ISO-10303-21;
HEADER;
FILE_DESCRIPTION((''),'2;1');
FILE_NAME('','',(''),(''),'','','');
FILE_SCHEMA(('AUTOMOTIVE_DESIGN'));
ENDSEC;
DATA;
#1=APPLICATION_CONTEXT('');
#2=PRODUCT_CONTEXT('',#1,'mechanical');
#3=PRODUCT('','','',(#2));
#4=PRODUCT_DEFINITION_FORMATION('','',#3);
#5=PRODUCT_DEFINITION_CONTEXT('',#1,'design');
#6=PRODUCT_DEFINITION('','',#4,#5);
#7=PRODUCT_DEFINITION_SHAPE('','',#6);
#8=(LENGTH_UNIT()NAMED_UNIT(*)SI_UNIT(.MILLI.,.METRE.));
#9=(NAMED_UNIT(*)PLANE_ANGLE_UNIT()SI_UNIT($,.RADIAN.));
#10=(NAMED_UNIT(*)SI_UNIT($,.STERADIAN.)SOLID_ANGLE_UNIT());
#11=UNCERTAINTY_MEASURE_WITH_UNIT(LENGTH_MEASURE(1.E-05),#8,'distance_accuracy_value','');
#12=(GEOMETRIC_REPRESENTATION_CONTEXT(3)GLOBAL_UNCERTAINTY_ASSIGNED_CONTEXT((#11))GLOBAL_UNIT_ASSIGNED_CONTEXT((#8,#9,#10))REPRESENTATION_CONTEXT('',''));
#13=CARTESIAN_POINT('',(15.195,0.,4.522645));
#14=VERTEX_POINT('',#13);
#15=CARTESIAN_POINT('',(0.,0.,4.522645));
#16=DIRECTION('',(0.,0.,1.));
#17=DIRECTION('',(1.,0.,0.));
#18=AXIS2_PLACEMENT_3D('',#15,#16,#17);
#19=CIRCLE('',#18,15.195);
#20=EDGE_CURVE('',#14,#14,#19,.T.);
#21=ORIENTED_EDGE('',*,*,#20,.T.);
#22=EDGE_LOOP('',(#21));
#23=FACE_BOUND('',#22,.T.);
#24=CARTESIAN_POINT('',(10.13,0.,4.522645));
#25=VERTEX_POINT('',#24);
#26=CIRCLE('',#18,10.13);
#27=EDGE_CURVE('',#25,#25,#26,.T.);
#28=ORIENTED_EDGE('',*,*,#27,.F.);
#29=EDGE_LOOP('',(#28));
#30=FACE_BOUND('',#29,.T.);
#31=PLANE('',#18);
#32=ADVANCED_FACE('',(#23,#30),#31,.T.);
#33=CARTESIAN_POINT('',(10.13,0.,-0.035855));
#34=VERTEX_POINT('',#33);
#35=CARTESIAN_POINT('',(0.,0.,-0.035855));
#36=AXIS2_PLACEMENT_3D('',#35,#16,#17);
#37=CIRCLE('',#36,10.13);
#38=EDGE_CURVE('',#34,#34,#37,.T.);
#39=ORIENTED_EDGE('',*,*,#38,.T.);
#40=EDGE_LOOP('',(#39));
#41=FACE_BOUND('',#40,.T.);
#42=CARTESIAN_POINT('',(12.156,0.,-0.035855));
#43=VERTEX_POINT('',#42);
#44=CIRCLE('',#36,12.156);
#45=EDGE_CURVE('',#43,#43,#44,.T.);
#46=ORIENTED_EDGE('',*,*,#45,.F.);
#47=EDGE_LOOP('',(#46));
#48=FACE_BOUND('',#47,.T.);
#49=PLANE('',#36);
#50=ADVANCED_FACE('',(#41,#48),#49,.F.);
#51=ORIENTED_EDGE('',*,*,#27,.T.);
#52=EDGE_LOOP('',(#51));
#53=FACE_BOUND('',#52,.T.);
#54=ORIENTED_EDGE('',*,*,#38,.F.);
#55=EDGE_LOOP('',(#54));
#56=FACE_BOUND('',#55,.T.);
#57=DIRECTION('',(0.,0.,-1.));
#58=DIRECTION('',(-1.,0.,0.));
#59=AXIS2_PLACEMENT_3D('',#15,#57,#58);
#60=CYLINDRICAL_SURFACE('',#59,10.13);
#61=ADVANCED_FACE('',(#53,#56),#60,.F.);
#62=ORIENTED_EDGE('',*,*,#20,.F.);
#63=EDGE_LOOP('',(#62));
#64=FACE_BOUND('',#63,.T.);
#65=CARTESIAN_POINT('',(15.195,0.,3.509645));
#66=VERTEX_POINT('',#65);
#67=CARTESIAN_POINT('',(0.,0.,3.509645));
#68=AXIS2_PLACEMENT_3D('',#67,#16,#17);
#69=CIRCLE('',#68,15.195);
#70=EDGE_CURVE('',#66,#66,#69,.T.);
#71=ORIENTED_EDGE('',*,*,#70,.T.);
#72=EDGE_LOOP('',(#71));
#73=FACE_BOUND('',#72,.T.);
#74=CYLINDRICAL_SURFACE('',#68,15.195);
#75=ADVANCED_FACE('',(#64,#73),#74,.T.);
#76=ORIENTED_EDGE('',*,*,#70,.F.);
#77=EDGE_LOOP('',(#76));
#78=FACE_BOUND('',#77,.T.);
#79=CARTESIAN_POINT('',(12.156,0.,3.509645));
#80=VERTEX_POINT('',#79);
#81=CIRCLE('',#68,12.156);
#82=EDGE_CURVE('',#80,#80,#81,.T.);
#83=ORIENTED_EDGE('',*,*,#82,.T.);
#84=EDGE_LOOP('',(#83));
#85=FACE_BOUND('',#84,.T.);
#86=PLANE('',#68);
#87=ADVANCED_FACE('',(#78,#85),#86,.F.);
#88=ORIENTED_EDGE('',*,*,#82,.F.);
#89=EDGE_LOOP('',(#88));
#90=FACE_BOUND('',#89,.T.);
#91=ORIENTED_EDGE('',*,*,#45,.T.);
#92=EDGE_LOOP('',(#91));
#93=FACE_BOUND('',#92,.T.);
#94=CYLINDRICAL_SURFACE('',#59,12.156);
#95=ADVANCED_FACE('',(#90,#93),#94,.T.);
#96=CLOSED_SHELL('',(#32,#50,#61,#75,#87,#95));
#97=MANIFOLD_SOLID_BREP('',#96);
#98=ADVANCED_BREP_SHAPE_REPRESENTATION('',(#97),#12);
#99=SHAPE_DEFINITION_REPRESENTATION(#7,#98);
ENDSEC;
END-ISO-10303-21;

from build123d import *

# Parameters (mm, degrees)
SKETCH1_R           = 12
SKETCH1_R_2         = 10
BOSS_EXTRUDE1_DEPTH = 4.5
SKETCH2_R           = 15
SKETCH2_R_2         = 11
BOSS_EXTRUDE2_DEPTH = 1
SCALE1_SCALE        = 1.013


with BuildPart() as part:
    # Sketch1 → Boss-Extrude1 (new body)
    with BuildSketch(Plane.XY):
        Circle(SKETCH1_R)
        Circle(SKETCH1_R_2, mode=Mode.SUBTRACT)
    extrude(amount=BOSS_EXTRUDE1_DEPTH)

    # Sketch2 → Boss-Extrude2 (add)
    with BuildSketch(Plane.XY.offset(4.5)):
        Circle(SKETCH2_R)
        Circle(SKETCH2_R_2, mode=Mode.SUBTRACT)
    extrude(amount=-BOSS_EXTRUDE2_DEPTH)


with BuildPart() as part_1:
    # Scale1: scaled about (0, 0, 2.758064516)
    add(part.part.scale(SCALE1_SCALE).moved(Location((0, 0, -0.035854839))))


solid = part_1.part
